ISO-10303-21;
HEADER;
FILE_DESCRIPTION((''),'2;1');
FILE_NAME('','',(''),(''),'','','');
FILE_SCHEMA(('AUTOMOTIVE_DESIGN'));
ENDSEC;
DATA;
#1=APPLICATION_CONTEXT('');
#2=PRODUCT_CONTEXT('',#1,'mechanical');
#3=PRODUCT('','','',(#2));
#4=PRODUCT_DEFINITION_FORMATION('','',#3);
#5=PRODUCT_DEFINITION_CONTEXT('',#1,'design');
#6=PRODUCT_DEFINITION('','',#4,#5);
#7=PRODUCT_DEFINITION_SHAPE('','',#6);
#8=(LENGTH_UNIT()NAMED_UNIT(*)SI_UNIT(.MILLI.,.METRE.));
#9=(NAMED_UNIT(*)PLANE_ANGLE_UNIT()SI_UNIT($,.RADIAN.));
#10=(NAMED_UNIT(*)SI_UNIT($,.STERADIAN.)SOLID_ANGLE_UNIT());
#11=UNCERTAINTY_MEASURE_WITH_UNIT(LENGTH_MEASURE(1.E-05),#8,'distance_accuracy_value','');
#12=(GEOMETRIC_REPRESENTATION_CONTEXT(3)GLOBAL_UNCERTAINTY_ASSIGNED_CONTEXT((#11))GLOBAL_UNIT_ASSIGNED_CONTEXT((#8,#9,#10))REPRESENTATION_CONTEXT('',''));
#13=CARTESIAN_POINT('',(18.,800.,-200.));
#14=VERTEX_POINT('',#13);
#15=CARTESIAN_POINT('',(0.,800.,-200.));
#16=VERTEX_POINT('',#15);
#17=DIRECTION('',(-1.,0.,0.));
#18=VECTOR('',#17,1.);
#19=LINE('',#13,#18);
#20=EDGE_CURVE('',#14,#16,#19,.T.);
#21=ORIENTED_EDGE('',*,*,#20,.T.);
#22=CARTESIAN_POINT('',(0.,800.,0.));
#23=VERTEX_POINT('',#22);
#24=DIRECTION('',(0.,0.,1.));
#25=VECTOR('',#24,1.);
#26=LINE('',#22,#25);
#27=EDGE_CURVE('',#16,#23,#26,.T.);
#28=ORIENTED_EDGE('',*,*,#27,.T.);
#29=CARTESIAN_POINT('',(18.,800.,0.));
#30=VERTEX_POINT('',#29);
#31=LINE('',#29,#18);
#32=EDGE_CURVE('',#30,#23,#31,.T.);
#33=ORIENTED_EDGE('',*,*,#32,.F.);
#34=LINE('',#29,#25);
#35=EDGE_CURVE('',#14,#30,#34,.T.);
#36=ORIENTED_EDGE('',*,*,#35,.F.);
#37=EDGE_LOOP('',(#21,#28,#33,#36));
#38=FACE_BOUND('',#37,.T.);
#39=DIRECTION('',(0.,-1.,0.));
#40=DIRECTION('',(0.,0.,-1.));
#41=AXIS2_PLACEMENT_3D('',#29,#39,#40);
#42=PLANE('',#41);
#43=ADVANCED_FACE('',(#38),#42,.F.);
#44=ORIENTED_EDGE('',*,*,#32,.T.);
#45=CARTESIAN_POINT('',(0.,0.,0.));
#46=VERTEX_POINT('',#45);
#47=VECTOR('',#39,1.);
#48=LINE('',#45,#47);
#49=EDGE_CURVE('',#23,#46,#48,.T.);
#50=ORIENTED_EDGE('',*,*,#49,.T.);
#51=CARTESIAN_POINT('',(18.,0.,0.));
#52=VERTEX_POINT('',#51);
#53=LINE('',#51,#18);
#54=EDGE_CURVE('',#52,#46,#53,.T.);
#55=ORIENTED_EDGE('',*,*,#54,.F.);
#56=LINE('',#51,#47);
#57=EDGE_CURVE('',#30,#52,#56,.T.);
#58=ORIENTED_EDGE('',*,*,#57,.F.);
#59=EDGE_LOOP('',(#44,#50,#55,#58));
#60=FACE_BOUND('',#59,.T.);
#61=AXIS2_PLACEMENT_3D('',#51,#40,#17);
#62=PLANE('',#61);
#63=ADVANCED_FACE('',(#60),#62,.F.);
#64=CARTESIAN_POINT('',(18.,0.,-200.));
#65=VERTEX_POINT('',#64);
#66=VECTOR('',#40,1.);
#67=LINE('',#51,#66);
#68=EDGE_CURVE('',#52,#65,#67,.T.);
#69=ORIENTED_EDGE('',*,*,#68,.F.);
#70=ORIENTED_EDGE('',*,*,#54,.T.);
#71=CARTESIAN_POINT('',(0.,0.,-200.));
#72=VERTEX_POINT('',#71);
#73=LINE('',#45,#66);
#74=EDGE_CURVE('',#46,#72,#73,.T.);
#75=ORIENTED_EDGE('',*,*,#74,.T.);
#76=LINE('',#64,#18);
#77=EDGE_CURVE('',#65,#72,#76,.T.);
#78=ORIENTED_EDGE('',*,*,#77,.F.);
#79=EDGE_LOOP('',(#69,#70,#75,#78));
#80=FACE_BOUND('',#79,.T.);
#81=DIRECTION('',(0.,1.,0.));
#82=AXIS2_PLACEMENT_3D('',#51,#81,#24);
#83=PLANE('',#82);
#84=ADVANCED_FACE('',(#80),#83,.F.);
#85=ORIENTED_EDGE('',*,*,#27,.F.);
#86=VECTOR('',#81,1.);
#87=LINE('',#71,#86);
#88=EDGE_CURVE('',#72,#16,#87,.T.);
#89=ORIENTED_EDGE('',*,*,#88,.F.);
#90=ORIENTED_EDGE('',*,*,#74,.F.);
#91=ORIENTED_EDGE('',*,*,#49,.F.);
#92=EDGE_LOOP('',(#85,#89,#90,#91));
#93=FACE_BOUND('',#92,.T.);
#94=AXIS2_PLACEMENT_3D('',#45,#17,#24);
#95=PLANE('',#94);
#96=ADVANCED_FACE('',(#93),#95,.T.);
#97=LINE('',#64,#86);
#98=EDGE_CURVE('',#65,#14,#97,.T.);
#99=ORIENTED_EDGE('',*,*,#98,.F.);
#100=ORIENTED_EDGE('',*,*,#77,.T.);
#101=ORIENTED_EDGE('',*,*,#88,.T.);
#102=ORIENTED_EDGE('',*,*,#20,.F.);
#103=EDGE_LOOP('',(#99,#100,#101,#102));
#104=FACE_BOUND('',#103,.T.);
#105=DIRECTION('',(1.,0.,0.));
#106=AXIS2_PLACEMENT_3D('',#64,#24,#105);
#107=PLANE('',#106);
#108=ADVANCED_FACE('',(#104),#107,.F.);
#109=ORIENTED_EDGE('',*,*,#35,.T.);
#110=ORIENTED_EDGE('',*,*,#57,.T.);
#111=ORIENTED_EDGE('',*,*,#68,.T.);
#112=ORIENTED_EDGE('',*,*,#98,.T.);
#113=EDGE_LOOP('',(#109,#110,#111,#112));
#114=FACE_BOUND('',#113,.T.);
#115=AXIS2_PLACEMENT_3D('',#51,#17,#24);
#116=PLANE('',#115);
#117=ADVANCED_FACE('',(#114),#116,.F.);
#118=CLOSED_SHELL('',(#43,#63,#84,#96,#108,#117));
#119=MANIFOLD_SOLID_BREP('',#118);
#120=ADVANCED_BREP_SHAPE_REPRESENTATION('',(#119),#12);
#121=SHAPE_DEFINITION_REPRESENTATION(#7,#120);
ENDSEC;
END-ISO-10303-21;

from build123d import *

# Parameters (mm, degrees)
SZKIC1_W                    = 200
SZKIC1_H                    = 800
DODANIE_WYCI_GNI_CIE1_DEPTH = 18


with BuildPart() as part:
    # Szkic1 → Dodanie-wyciągnięcie1 (new body)
    with BuildSketch(Plane(origin=(0, 0, 0), x_dir=(0, 0, -1), z_dir=(1, 0, 0))):
        with Locations((100, 400)):
            Rectangle(SZKIC1_W, SZKIC1_H)
    extrude(amount=DODANIE_WYCI_GNI_CIE1_DEPTH)


solid = part.part
